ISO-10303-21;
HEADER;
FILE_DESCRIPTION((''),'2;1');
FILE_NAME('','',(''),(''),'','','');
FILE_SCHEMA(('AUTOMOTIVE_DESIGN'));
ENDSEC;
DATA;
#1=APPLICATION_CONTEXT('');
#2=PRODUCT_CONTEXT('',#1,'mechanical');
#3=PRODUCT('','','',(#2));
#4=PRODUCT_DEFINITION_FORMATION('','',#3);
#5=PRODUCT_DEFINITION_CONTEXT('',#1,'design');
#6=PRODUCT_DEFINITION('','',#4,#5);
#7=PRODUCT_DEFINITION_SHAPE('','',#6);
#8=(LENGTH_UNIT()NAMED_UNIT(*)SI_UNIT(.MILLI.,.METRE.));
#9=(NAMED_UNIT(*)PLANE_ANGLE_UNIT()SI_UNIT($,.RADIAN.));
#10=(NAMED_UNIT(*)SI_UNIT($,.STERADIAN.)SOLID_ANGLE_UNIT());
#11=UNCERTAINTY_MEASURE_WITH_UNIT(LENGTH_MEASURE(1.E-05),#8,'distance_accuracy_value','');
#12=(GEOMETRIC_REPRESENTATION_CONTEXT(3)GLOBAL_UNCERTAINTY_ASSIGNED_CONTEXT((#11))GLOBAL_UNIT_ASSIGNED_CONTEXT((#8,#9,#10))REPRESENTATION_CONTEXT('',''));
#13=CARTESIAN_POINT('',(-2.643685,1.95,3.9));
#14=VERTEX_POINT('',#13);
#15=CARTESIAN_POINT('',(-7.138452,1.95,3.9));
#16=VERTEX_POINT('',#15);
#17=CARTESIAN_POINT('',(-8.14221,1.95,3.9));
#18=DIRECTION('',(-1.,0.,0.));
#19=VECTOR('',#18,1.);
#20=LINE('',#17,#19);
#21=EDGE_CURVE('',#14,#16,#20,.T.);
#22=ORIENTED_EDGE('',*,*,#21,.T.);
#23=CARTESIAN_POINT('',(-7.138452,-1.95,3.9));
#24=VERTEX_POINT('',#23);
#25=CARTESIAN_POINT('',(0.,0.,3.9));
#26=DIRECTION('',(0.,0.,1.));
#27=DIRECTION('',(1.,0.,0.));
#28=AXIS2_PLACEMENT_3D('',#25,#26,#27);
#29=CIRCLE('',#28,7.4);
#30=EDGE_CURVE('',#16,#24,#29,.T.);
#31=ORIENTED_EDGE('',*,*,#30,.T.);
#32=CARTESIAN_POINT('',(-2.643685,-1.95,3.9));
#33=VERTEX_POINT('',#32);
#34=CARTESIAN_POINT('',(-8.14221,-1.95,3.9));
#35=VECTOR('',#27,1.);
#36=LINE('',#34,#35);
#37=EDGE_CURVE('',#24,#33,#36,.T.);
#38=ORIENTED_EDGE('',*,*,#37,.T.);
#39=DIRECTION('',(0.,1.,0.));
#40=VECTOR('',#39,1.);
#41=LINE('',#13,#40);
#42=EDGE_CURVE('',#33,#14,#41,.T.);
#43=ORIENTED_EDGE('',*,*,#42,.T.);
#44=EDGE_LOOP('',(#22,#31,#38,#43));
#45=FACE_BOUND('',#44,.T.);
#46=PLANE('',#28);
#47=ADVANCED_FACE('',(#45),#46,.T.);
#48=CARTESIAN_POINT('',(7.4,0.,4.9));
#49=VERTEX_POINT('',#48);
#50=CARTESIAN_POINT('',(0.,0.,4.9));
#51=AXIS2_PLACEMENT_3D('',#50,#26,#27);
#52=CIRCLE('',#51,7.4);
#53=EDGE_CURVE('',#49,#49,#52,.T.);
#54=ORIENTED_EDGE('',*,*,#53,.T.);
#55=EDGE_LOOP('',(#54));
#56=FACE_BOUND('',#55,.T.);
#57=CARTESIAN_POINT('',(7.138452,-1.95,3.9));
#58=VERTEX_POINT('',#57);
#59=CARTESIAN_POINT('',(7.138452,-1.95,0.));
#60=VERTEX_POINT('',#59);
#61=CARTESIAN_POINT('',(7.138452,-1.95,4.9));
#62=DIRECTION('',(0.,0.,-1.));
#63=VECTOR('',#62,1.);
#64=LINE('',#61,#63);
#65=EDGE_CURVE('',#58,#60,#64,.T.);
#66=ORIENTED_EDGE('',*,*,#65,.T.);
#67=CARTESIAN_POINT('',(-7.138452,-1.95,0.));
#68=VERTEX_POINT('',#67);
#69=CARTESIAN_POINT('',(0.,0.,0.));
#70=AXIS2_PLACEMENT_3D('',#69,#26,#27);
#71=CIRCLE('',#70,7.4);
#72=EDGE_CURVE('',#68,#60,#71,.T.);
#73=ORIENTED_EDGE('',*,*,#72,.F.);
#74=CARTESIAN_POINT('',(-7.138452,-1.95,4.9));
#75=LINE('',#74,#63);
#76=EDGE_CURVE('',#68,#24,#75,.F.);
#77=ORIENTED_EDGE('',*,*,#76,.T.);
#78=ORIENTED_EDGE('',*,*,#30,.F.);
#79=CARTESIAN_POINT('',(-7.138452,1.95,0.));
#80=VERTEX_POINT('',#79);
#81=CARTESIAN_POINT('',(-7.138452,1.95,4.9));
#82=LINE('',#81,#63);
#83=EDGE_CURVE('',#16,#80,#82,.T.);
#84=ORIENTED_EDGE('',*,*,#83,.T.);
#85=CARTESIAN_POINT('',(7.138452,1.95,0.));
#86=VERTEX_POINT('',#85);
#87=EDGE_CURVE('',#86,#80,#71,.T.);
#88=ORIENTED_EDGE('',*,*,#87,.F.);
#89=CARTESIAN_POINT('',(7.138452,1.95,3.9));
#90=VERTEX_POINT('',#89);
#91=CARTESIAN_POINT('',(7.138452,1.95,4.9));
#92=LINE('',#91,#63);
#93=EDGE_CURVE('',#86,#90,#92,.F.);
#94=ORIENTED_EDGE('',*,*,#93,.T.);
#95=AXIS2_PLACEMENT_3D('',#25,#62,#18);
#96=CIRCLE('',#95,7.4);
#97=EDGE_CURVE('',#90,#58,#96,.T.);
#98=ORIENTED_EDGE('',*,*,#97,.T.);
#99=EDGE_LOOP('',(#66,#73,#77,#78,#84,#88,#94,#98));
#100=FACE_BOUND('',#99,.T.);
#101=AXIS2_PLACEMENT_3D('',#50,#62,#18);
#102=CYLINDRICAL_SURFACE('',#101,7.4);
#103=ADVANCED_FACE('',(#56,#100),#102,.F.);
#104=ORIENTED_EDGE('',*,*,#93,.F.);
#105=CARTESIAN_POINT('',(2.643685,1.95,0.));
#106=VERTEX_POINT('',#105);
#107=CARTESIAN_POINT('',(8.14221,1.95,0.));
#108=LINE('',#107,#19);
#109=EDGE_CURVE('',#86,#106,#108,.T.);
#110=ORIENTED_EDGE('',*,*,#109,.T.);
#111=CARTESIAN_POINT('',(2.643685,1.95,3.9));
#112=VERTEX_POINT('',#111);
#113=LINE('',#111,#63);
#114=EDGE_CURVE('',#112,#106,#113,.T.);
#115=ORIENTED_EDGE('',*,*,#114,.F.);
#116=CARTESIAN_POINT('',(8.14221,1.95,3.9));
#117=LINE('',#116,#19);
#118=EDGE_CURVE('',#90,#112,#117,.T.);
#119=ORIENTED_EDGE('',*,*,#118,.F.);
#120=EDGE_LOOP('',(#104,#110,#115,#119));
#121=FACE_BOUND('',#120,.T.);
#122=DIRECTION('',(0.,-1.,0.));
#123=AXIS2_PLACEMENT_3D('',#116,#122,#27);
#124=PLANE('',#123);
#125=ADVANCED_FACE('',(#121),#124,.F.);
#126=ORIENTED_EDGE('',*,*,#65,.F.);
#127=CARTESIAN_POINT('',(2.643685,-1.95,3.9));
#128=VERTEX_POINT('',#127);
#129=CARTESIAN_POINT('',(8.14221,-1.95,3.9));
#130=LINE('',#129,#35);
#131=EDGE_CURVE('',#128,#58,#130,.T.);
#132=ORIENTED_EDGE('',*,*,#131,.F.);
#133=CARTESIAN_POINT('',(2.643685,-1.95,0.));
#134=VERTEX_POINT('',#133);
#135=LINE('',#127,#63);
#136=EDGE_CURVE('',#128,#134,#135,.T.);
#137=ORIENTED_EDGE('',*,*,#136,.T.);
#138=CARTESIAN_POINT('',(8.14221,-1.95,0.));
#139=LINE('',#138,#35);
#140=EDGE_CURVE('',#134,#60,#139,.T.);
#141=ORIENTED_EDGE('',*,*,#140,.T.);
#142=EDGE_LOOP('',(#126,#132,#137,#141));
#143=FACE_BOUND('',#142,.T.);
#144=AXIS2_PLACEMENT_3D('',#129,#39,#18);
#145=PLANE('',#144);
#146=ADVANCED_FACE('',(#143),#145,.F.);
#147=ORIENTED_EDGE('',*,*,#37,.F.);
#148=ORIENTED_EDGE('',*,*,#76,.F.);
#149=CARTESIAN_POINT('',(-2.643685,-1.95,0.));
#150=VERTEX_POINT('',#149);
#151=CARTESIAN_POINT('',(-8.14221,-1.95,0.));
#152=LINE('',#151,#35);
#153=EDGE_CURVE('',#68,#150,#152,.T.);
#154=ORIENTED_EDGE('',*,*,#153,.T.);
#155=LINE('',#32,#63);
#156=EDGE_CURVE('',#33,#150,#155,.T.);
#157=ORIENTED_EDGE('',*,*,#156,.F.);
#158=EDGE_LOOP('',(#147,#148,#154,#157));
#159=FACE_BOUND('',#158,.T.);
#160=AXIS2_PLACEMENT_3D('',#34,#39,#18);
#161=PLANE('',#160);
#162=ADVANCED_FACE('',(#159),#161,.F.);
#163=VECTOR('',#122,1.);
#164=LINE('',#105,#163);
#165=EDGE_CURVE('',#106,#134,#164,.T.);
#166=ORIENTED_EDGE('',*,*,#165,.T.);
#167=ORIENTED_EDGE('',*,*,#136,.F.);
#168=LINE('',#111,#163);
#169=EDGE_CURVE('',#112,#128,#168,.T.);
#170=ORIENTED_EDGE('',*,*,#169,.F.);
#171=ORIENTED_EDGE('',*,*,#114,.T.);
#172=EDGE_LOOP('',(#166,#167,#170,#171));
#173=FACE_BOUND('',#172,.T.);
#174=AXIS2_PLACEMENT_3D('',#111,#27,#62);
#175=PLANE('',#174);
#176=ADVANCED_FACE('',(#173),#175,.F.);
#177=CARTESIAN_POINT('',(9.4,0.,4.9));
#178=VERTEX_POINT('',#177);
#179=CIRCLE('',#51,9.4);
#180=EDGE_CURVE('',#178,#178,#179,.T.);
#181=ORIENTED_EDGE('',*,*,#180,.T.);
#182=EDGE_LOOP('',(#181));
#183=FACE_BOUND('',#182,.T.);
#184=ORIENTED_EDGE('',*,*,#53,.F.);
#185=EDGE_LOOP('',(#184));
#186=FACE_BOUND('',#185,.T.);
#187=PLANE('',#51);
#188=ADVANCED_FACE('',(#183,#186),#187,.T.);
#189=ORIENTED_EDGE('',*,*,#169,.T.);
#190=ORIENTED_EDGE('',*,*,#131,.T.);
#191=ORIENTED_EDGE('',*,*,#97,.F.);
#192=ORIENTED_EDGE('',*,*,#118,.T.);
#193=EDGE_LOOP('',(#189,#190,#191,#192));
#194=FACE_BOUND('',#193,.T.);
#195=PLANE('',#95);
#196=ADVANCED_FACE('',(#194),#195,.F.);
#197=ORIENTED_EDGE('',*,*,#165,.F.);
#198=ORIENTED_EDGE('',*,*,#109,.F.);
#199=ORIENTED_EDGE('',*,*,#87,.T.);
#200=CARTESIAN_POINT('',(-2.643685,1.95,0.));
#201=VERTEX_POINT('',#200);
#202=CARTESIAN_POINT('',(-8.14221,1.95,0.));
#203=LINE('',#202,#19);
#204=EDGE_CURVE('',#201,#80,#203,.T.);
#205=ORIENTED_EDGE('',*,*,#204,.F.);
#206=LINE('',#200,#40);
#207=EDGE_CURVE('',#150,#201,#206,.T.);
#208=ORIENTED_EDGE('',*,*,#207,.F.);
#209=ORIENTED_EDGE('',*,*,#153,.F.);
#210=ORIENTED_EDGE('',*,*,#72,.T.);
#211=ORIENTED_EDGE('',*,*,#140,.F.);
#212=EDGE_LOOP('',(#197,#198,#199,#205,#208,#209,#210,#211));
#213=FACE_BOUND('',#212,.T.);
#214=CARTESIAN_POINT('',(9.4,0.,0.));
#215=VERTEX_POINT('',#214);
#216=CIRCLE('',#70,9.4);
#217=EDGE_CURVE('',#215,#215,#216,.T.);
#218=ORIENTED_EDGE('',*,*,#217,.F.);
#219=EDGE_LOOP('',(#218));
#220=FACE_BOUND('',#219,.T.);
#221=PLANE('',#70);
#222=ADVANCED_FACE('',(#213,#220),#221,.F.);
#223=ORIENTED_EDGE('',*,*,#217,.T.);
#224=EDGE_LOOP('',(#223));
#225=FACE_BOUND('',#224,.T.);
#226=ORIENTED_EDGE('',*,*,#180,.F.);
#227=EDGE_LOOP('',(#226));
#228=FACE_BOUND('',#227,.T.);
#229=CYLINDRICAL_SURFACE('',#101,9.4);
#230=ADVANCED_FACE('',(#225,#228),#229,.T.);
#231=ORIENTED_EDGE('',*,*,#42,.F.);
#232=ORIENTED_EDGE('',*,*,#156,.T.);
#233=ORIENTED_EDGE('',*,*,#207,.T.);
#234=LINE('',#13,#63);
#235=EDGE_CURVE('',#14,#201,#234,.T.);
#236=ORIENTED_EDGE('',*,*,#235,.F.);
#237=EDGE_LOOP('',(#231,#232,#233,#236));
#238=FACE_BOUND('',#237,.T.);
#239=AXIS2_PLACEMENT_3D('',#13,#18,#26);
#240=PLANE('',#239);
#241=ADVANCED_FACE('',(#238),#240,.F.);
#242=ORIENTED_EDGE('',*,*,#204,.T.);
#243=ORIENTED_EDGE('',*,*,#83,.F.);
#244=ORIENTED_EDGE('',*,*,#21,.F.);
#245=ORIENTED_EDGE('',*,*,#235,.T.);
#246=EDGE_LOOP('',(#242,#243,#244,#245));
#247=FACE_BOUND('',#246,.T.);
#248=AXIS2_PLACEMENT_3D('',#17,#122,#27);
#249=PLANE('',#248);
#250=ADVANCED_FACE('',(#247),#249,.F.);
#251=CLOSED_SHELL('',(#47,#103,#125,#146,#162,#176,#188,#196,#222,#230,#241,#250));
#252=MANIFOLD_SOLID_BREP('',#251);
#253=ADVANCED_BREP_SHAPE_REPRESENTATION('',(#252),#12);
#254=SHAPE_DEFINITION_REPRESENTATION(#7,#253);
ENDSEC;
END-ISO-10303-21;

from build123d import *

# Parameters (mm, degrees)
SKETCH_1_R        = 9.4
SKETCH_1_R_2      = 7.4
EXTRUDE_1_DEPTH   = 4.9
SKETCH_2_W        = 5.498524857
SKETCH_2_H        = 3.9
EXTRUDE_1_2_DEPTH = 3.9


with BuildPart() as part:
    # 草图1 → Extrude 1 (new body)
    with BuildSketch(Plane.XY):
        Circle(SKETCH_1_R)
        Circle(SKETCH_1_R_2, mode=Mode.SUBTRACT)
    extrude(amount=EXTRUDE_1_DEPTH)

    # 草图2 → Extrude 1 2 (add)
    with BuildSketch(Plane.XY):
        with Locations((5.39294726, 0)):
            Rectangle(SKETCH_2_W, SKETCH_2_H)
        with Locations((-5.39294726, 0)):
            Rectangle(SKETCH_2_W, SKETCH_2_H)
    extrude(amount=EXTRUDE_1_2_DEPTH)


solid = part.part
